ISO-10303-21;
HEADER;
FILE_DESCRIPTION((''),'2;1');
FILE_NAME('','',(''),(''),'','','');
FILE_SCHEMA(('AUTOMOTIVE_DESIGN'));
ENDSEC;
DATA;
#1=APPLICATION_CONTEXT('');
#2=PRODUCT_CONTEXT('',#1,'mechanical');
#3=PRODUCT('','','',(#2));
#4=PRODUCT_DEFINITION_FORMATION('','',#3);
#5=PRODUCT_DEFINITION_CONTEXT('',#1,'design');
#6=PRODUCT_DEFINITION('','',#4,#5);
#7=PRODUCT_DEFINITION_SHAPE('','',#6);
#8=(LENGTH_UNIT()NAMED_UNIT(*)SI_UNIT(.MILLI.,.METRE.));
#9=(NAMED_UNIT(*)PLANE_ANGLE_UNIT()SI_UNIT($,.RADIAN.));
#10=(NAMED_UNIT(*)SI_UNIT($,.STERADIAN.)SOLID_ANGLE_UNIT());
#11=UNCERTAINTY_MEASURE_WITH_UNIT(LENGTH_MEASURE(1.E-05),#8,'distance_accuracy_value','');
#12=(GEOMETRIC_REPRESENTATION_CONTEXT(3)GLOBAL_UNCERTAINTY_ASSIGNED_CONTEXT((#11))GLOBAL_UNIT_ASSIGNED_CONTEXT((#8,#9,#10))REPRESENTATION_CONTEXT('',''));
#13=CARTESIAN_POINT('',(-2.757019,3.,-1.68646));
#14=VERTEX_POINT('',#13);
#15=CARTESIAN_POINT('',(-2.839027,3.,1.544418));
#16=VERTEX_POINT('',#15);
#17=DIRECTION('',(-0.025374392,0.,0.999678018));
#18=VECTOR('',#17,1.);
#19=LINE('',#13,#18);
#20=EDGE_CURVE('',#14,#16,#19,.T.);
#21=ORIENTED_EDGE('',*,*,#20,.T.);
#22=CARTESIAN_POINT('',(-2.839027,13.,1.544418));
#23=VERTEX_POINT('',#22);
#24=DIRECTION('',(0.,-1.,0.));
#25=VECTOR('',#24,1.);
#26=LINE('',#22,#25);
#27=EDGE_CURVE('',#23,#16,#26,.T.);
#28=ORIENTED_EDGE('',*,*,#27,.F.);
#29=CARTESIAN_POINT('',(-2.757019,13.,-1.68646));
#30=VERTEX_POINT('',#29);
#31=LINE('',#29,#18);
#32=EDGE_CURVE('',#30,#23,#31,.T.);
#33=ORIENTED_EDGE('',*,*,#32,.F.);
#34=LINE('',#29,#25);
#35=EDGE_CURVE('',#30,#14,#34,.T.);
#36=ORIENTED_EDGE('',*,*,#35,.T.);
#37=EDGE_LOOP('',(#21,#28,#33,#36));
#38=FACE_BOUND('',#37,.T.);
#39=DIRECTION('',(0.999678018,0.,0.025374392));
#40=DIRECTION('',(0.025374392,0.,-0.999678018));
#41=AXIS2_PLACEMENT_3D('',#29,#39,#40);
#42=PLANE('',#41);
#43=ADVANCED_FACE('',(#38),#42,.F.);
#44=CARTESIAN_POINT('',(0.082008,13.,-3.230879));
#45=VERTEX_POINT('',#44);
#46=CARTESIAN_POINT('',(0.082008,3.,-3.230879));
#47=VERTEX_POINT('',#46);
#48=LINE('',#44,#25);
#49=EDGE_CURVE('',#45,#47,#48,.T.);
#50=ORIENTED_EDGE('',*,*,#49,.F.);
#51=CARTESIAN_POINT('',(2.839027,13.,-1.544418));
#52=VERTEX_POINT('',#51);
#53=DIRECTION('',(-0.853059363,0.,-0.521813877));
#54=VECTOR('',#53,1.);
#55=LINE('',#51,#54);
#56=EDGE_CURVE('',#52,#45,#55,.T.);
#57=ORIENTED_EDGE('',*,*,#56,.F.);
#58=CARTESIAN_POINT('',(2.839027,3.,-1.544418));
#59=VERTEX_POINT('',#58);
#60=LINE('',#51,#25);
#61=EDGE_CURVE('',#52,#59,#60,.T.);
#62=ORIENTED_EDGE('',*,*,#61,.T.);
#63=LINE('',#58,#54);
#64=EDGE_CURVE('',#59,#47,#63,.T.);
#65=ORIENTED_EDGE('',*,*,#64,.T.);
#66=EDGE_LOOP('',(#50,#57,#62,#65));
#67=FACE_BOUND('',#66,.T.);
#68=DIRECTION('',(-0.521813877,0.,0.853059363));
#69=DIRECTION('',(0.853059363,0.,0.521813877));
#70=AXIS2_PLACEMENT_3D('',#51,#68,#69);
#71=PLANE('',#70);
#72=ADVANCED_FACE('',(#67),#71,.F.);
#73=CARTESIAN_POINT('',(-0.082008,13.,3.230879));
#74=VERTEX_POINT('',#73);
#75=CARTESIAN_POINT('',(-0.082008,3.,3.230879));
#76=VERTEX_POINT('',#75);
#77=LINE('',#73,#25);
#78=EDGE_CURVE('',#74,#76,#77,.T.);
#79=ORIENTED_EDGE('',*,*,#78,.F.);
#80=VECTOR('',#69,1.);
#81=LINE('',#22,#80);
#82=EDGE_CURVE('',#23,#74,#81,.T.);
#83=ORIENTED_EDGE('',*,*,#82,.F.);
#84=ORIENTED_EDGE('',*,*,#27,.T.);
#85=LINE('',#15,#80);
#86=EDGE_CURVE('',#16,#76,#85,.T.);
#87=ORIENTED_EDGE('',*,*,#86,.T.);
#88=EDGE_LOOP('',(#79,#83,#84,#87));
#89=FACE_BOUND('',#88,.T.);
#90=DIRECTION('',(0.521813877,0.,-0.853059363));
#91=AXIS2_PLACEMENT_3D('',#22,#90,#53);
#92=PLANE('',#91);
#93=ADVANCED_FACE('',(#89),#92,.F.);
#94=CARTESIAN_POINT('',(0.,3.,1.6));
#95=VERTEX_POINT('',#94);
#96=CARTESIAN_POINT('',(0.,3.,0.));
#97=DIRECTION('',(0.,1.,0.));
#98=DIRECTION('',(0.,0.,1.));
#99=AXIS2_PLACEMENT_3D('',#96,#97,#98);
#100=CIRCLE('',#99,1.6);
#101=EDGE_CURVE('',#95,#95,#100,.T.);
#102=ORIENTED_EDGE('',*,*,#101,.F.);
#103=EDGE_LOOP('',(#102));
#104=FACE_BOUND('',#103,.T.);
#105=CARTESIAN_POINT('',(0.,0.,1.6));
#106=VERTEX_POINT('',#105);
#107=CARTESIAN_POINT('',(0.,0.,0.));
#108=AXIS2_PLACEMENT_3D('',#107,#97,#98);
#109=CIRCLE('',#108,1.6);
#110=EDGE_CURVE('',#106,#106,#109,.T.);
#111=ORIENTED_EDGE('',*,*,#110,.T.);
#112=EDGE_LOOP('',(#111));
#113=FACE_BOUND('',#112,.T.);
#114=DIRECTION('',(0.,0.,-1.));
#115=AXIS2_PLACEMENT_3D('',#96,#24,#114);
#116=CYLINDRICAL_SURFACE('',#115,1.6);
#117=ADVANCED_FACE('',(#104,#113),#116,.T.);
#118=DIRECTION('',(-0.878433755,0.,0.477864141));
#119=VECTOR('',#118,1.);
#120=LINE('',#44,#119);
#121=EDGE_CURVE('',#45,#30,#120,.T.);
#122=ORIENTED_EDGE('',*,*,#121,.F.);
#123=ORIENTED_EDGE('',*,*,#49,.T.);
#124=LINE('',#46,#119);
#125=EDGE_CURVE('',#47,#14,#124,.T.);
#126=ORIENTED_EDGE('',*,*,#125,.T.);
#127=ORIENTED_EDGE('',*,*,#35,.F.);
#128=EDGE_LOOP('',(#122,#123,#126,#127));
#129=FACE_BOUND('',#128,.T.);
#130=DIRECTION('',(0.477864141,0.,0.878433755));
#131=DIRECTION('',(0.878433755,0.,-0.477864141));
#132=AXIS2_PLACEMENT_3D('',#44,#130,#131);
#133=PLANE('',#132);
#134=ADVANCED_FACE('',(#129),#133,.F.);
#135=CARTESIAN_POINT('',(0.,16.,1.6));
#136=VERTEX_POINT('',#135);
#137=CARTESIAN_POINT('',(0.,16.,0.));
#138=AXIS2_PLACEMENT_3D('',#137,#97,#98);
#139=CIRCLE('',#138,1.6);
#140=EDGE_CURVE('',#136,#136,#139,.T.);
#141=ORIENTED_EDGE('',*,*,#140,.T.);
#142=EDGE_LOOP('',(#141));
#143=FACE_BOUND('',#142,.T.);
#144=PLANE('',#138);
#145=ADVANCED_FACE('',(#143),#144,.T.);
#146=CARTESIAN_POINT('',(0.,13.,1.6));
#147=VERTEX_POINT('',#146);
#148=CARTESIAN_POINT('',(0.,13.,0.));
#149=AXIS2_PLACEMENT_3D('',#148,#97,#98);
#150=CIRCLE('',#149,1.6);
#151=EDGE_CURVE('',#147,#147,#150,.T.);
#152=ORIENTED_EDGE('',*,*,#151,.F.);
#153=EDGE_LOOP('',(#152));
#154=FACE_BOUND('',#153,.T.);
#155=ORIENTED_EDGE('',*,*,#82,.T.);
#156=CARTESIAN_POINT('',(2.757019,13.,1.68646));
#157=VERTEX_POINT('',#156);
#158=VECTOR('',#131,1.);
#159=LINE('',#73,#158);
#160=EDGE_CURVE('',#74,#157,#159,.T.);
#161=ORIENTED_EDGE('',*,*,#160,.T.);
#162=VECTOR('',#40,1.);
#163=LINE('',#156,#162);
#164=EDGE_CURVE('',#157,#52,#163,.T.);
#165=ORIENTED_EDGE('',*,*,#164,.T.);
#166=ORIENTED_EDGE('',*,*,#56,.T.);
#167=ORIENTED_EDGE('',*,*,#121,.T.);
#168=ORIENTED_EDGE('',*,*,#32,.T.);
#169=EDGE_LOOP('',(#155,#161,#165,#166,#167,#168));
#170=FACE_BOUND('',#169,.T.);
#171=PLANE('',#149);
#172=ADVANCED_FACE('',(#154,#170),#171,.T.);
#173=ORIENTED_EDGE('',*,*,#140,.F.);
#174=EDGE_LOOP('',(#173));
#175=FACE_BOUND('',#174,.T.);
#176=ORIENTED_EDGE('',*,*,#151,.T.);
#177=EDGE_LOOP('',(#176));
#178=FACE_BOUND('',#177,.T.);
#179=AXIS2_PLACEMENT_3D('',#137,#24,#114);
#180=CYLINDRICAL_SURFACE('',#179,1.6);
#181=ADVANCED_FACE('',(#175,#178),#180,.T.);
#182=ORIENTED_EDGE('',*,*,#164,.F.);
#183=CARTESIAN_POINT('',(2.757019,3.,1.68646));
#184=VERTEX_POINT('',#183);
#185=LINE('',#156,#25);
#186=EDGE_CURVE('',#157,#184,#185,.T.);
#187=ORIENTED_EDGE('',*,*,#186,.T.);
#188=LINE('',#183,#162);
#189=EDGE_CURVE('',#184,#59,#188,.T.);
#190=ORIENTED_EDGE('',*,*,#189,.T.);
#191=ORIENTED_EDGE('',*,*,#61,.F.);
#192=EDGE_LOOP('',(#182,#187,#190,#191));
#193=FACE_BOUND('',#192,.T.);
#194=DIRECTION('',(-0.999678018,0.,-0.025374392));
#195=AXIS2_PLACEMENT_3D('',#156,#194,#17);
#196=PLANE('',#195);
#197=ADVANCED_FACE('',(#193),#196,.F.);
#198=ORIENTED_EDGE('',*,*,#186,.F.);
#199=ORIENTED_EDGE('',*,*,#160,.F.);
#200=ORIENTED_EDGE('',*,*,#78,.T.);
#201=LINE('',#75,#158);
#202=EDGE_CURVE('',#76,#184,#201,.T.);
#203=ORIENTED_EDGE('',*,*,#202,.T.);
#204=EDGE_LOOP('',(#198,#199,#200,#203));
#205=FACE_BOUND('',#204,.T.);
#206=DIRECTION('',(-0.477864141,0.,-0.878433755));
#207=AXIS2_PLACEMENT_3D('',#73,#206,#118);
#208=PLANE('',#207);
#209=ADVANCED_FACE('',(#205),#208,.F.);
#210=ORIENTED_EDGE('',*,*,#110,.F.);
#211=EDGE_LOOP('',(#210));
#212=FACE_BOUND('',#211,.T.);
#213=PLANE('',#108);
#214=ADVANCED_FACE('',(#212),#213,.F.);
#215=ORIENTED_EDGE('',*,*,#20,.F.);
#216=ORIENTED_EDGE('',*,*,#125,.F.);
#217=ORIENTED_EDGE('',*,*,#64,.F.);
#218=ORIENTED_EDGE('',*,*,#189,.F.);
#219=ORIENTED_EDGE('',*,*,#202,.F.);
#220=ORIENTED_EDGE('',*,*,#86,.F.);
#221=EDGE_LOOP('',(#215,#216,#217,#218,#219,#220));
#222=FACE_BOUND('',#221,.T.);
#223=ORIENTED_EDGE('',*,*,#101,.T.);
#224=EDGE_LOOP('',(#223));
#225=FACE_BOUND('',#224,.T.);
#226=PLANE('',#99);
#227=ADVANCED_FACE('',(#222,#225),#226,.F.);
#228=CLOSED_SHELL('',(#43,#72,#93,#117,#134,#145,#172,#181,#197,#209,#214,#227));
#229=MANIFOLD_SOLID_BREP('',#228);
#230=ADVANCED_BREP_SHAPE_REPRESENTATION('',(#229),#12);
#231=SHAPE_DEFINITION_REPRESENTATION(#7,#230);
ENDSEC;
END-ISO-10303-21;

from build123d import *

# Parameters (mm, degrees)
SKETCH_1_R      = 1.6
EXTRUDE_1_DEPTH = 3
EXTRUDE_2_DEPTH = 10
SKETCH_3_R      = 1.6
EXTRUDE_3_DEPTH = 3


with BuildPart() as part:
    # 草图1 → 凸台-拉伸1 (new body)
    with BuildSketch(Plane(origin=(0, 0, 0), x_dir=(1, 0, 0), z_dir=(0, 1, 0))):
        with Locations(Location((0, 0, 0), (0, 0, 270))):
            Circle(SKETCH_1_R)
    extrude(amount=EXTRUDE_1_DEPTH)

    # 草图2 → 凸台-拉伸2 (add)
    with BuildSketch(Plane(origin=(0, 3, 0), x_dir=(1, 0, 0), z_dir=(0, 1, 0))):
        Polygon((2.757018897, -1.686460265), (2.839026881, 1.544418271), (0.082007983, 3.230878536), (-2.757018897, 1.686460265), (-2.839026881, -1.544418271), (-0.082007983, -3.230878536), align=None)
    extrude(amount=EXTRUDE_2_DEPTH)

    # 草图3 → 凸台-拉伸3 (add)
    with BuildSketch(Plane(origin=(0, 13, 0), x_dir=(1, 0, 0), z_dir=(0, 1, 0))):
        with Locations(Location((0, 0, 0), (0, 0, 270))):
            Circle(SKETCH_3_R)
    extrude(amount=EXTRUDE_3_DEPTH)


solid = part.part
